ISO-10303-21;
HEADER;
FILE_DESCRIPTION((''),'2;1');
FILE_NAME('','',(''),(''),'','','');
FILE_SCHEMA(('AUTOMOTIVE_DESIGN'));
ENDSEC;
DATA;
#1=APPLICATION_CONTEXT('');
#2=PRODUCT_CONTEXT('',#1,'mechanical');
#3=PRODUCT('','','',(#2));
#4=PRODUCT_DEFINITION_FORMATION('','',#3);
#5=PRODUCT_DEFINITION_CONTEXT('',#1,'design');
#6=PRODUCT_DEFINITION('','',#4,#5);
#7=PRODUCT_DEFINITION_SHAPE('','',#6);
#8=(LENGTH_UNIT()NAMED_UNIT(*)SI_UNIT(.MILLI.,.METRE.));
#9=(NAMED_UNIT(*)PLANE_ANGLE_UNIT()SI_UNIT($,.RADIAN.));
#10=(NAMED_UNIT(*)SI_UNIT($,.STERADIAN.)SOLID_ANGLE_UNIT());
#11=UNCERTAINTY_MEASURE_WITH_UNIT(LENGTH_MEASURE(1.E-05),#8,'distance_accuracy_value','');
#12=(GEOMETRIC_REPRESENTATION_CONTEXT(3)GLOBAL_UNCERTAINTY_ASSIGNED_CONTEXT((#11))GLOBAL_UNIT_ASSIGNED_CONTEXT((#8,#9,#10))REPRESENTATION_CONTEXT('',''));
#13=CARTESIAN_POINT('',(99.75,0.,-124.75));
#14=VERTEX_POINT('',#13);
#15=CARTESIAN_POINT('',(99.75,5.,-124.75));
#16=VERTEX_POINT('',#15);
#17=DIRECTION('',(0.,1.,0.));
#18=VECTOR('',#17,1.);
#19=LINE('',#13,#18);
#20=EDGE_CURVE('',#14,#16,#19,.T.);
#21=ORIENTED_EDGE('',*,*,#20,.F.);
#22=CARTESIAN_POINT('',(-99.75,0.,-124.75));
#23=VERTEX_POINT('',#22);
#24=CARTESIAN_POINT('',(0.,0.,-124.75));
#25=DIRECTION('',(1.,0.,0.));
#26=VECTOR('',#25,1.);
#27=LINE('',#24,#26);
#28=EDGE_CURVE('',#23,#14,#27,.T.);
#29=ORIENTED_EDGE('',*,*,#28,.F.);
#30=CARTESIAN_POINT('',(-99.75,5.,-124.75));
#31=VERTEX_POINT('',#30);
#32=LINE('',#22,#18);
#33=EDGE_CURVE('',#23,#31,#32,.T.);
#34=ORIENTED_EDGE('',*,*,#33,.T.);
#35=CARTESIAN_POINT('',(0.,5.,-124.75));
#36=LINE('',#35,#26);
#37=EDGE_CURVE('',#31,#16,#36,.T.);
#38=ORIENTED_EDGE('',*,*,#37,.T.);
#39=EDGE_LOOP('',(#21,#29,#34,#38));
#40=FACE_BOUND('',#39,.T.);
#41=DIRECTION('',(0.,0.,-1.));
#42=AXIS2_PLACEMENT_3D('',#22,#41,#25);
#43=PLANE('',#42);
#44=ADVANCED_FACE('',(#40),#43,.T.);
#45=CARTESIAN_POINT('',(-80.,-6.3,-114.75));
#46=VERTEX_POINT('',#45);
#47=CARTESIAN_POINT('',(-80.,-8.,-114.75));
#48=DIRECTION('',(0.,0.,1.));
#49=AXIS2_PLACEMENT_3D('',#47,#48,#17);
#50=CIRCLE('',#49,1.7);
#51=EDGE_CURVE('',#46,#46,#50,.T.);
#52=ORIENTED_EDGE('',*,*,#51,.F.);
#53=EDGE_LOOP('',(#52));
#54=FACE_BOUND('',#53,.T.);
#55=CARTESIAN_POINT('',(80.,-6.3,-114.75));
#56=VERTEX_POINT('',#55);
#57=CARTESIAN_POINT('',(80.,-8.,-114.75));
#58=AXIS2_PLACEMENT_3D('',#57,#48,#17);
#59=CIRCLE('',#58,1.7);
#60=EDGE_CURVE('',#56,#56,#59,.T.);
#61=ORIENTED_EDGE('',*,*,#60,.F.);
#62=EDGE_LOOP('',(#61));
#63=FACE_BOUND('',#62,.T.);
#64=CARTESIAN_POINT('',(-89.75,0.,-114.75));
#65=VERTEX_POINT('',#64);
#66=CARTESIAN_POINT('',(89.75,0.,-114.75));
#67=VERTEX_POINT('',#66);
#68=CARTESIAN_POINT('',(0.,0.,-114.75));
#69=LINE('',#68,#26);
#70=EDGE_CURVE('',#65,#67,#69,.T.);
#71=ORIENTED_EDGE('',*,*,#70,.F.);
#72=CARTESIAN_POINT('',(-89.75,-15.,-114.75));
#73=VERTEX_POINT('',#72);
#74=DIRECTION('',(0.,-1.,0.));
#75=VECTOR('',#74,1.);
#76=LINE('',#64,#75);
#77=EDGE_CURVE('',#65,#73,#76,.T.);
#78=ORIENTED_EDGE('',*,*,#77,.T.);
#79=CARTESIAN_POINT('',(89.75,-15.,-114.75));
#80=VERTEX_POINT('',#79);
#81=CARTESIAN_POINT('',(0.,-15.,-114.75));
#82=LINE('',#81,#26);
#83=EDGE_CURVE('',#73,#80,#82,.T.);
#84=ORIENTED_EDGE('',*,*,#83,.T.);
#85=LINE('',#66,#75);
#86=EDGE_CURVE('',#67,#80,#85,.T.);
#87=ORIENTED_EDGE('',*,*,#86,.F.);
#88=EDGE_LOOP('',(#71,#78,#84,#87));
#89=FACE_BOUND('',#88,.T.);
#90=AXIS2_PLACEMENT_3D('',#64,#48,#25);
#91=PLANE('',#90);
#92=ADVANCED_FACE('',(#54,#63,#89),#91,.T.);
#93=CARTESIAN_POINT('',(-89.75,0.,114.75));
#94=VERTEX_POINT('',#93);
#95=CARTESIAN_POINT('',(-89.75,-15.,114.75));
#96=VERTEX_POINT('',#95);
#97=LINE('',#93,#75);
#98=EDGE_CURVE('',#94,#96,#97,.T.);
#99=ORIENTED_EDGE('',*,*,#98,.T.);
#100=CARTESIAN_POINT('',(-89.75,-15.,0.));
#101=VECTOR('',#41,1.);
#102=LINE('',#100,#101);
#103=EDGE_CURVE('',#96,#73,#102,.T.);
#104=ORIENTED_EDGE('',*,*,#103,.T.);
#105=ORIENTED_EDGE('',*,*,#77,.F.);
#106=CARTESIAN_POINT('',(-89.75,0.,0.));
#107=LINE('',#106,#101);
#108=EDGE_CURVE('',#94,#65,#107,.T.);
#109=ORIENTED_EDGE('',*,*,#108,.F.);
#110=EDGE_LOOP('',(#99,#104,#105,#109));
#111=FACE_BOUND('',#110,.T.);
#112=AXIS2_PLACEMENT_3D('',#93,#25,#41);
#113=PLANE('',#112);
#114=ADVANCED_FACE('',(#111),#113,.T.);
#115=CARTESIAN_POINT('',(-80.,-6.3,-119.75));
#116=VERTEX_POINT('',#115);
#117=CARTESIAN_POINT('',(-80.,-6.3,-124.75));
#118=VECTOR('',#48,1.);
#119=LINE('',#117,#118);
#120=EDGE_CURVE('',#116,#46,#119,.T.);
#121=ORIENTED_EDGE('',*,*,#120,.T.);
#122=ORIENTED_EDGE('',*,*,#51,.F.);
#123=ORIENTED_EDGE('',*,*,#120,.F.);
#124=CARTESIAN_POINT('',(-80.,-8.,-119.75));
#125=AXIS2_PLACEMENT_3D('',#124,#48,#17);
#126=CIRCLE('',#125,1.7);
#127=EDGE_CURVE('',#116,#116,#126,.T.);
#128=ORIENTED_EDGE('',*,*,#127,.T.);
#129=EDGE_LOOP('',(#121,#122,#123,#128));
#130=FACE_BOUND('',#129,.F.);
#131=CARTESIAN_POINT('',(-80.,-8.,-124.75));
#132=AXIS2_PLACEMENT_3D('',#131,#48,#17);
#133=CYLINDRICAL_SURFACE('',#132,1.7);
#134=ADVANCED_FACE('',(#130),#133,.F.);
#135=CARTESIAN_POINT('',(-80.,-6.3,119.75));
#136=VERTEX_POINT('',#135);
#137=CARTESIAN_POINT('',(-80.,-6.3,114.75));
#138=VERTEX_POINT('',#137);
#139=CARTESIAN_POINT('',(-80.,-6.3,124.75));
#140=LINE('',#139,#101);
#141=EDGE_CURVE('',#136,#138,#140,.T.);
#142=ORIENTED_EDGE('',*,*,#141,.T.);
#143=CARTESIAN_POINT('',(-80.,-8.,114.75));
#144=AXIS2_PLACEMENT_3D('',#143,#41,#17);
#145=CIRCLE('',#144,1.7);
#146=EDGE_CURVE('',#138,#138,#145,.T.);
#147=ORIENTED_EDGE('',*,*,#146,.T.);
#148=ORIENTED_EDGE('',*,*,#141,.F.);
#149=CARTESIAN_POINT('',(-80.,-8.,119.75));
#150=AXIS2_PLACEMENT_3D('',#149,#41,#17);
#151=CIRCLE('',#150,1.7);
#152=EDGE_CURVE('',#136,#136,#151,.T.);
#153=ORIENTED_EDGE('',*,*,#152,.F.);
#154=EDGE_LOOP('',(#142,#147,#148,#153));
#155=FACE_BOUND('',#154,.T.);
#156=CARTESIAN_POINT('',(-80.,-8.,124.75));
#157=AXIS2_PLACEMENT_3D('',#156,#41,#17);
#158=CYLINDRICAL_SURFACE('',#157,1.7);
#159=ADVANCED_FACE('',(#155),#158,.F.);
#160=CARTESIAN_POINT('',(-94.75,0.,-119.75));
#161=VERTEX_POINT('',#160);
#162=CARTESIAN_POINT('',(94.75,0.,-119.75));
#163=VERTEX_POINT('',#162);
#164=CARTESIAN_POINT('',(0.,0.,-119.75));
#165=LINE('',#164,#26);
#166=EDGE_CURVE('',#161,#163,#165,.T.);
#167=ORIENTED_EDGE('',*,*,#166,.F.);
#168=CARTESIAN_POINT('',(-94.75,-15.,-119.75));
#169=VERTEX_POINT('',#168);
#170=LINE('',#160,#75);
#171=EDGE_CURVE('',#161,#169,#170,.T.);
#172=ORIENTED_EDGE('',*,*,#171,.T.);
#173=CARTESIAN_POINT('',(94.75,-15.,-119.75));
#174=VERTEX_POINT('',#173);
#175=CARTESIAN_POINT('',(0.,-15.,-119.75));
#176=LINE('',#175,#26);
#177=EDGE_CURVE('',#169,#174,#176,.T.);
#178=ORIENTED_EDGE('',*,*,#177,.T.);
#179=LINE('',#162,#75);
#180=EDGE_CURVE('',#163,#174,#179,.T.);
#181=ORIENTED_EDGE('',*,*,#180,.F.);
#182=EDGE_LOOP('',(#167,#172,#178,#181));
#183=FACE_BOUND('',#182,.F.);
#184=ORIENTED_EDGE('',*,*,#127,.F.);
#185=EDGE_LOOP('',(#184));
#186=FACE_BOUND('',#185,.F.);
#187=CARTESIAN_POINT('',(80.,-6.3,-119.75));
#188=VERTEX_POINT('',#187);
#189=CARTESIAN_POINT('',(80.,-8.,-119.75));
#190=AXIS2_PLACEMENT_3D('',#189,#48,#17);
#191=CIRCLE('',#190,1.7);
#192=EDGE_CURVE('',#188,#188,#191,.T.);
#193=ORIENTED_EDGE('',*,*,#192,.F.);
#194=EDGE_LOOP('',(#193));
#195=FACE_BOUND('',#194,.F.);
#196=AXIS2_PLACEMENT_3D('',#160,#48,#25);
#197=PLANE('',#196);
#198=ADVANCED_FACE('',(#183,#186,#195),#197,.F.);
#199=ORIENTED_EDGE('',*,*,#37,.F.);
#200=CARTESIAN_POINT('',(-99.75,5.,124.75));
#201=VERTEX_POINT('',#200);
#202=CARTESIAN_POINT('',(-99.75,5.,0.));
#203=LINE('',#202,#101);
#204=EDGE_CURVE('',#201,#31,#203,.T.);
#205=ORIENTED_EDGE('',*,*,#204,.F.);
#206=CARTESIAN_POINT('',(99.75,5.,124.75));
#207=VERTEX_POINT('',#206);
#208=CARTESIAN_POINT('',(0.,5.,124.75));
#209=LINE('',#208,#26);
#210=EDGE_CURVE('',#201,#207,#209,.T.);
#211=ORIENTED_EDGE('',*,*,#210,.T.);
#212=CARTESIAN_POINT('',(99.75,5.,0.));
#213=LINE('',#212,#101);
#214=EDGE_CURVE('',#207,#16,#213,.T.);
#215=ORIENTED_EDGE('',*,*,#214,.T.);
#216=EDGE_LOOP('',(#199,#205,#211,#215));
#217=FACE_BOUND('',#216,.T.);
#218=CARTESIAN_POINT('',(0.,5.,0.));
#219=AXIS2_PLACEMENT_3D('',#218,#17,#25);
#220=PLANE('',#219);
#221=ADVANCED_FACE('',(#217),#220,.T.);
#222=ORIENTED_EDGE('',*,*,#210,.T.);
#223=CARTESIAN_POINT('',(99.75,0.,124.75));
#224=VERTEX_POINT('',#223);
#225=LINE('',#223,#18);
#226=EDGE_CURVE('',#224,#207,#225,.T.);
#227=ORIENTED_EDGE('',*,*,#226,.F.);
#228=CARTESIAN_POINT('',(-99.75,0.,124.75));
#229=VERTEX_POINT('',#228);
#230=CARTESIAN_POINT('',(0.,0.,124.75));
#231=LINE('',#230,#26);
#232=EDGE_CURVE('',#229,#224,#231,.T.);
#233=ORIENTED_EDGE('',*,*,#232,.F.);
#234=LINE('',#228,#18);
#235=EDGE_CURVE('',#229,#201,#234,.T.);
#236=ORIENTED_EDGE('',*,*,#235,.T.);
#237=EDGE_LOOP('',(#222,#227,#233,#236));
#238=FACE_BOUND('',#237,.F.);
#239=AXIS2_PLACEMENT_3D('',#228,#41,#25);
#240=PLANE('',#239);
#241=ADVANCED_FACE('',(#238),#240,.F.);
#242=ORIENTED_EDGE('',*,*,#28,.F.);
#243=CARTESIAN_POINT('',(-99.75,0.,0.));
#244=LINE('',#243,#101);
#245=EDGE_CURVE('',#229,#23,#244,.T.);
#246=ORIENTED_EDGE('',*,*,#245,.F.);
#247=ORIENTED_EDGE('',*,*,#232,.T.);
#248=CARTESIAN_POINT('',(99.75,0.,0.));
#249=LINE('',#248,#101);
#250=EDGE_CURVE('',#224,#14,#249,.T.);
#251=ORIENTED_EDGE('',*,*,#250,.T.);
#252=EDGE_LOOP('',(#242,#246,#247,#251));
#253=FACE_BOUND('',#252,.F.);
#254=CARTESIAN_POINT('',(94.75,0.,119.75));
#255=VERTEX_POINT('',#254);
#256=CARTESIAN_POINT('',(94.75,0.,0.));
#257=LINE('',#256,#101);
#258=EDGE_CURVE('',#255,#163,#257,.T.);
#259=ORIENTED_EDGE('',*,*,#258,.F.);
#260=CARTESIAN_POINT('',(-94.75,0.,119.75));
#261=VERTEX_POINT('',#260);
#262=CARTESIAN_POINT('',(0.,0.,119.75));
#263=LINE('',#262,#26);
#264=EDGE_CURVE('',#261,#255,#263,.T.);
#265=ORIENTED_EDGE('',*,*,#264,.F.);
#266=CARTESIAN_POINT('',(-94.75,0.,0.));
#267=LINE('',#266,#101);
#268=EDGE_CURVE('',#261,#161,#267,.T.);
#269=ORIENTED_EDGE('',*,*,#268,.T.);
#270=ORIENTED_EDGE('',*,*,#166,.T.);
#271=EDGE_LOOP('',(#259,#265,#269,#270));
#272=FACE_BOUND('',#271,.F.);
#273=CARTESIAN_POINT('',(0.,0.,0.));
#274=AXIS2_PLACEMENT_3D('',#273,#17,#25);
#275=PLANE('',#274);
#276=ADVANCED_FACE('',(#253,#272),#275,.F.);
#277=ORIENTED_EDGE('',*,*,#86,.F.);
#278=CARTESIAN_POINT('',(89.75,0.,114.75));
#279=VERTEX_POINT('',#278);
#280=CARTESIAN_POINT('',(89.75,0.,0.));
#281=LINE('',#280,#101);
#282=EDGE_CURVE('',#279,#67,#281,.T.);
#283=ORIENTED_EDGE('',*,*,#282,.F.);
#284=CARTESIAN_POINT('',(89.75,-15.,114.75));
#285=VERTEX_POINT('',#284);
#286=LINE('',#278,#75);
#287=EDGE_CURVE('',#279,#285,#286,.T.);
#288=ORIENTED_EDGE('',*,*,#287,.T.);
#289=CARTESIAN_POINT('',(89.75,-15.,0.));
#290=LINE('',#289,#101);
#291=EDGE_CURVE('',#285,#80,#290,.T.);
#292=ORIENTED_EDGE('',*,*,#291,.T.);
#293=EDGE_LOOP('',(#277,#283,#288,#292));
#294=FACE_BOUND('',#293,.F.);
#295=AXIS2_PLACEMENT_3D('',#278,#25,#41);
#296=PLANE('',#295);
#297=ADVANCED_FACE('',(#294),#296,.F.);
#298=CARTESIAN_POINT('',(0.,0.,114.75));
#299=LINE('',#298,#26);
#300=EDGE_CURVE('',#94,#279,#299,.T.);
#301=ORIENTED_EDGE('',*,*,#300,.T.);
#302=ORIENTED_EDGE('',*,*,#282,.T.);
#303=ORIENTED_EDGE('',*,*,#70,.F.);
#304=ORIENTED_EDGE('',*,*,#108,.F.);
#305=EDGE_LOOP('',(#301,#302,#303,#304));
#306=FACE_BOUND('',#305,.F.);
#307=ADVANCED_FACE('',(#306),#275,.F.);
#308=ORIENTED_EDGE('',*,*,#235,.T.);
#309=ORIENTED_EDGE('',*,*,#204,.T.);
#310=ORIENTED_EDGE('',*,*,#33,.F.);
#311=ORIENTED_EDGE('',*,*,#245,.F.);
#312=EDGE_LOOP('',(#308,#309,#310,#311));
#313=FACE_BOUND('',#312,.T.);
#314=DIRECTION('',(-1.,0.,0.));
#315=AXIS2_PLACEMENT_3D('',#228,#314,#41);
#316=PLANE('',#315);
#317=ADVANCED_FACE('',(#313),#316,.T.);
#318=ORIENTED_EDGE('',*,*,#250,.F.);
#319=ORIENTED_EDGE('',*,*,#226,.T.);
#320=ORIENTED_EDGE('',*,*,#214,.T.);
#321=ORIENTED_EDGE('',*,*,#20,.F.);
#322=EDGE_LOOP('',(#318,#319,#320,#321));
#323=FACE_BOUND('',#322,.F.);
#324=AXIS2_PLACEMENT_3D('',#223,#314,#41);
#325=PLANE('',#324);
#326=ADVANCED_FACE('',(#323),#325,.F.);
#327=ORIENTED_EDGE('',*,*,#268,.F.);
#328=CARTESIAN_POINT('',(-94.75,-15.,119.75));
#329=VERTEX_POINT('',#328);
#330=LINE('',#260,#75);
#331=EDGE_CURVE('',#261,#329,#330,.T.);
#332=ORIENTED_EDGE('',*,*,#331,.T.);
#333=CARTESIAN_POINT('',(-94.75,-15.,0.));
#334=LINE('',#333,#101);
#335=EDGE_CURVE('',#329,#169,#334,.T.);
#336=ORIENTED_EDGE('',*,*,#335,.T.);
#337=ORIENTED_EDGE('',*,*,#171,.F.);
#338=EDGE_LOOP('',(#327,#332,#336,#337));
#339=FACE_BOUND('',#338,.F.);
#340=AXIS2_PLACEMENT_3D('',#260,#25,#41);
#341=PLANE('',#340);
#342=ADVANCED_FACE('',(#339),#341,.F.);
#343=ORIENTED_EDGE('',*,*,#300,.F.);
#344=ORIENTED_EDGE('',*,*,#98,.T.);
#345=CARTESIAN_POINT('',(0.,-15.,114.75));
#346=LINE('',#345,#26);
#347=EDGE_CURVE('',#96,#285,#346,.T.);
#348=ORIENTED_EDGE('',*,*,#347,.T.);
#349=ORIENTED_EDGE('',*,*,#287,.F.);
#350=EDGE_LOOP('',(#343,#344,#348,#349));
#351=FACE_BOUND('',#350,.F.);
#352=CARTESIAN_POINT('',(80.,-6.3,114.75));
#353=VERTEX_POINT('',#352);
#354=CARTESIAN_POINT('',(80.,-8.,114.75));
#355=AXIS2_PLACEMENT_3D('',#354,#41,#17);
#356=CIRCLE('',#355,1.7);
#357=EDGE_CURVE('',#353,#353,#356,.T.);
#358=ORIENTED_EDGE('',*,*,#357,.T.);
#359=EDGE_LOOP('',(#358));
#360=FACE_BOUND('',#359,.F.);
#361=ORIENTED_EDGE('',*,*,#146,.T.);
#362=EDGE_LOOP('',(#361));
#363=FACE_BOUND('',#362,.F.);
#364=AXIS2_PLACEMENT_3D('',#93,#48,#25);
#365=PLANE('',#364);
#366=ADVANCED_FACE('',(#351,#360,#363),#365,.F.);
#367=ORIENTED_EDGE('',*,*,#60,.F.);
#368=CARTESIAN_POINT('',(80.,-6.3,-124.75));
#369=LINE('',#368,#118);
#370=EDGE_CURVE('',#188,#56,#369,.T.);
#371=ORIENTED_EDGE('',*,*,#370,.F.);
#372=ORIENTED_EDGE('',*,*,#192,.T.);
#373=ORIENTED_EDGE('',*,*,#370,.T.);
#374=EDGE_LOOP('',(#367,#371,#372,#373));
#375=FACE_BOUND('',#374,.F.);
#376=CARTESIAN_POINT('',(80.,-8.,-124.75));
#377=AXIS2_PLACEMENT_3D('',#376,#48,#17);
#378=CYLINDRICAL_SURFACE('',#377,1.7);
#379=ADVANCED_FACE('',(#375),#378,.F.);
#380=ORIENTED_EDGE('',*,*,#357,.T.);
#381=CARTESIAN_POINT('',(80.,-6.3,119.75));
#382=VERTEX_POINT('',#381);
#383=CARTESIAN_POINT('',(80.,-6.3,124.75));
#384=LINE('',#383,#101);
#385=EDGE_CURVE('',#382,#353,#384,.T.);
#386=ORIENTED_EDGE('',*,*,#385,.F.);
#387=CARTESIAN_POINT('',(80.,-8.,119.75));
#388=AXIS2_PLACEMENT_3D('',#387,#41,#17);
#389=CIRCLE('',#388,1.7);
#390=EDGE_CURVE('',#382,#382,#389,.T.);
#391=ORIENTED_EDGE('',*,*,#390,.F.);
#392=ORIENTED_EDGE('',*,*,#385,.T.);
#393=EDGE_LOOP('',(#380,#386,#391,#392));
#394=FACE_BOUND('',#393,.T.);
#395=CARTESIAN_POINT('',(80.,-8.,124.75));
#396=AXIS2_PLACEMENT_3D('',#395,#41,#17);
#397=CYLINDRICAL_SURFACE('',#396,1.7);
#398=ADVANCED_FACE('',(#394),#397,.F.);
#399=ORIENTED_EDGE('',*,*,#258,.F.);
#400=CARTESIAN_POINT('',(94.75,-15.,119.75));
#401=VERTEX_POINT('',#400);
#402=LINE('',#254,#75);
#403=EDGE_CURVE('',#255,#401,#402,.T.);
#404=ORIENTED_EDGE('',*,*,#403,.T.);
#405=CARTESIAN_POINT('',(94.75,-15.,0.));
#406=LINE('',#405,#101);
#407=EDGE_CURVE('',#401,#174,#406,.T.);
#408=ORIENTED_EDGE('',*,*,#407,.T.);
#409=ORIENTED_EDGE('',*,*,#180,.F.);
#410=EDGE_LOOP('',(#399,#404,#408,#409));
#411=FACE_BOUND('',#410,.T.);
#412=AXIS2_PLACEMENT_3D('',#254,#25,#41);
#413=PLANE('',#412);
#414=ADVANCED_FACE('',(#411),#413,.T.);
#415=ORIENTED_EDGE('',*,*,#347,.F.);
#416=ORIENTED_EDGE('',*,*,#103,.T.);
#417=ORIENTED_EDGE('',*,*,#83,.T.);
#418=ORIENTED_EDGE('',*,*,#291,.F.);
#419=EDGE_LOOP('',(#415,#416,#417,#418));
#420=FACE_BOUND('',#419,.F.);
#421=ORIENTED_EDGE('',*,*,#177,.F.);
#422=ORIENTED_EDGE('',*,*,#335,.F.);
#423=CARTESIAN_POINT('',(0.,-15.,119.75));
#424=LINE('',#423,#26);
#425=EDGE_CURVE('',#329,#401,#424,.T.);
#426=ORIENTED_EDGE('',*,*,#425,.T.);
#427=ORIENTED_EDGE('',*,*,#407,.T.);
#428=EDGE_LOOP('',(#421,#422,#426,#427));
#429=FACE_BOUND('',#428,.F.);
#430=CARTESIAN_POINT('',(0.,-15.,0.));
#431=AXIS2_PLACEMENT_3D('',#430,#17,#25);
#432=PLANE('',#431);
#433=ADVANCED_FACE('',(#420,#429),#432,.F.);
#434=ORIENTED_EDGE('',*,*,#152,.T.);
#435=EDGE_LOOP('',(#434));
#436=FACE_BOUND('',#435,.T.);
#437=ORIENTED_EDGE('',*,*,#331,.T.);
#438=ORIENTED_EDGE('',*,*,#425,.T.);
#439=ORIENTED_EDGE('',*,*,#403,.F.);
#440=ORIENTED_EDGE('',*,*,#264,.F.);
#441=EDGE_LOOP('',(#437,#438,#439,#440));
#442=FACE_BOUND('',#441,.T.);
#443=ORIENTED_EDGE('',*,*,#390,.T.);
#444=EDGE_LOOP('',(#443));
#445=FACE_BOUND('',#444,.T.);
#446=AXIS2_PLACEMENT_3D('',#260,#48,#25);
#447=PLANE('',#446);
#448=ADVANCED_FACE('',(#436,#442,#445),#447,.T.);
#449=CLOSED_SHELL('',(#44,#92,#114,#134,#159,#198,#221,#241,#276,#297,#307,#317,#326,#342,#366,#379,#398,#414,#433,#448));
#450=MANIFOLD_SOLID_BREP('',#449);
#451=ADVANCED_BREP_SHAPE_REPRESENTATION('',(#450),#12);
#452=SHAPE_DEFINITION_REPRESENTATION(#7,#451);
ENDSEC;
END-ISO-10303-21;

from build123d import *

# Parameters (mm, degrees)
SKETCH1_W                     = 199.5
SKETCH1_H                     = 249.5
BOSS_EXTRUDE1_DEPTH           = 5
SKETCH1_3_W                   = 189.5
SKETCH1_3_H                   = 239.5
SKETCH1_3_W_2                 = 179.5
SKETCH1_3_H_2                 = 229.5
BOSS_EXTRUDE2_DEPTH           = 15
M3_CLEARANCE_HOLE1_AT_2_COUNT = 2
M3_CLEARANCE_HOLE1_AT_2_PITCH = 160


with BuildPart() as part:
    # Sketch1 → Boss-Extrude1 (new body)
    with BuildSketch(Plane(origin=(0, 0, 0), x_dir=(1, 0, 0), z_dir=(0, 1, 0))):
        Rectangle(SKETCH1_W, SKETCH1_H)
    extrude(amount=BOSS_EXTRUDE1_DEPTH)

    # Sketch1<3> → Boss-Extrude2 (add)
    with BuildSketch(Plane(origin=(0, 0, 0), x_dir=(1, 0, 0), z_dir=(0, 1, 0))):
        Rectangle(SKETCH1_3_W, SKETCH1_3_H)
        Rectangle(SKETCH1_3_W_2, SKETCH1_3_H_2, mode=Mode.SUBTRACT)
    extrude(amount=-BOSS_EXTRUDE2_DEPTH)

    # Sketch4 → M3 Clearance Hole1 (revolve, cut)
    with BuildSketch(Plane(origin=(-80, -8, 0), x_dir=(0, 1, 0), z_dir=(1, 0, 0))):
        Polygon((0, 0), (0, 124.75), (1.7, 124.75), (1.7, 0.025), (1.725, 0), align=None)
    m3_clearance_hole1 = revolve(axis=Axis((-80, -8, -6.35), (0, 0, 1)), mode=Mode.SUBTRACT)

    # M3 Clearance Hole1 at 2: M3 Clearance Hole1 ×2
    with Locations(*[(i * M3_CLEARANCE_HOLE1_AT_2_PITCH, 0, 0) for i in range(1, M3_CLEARANCE_HOLE1_AT_2_COUNT)]):
        add(m3_clearance_hole1, mode=Mode.SUBTRACT)

    # Mirror1: M3 Clearance Hole1 across plane
    add(m3_clearance_hole1.mirror(Plane.XY), mode=Mode.SUBTRACT)

    # Mirror1 copy 1 sketch → Mirror1 copy 1 (revolve, cut)
    with BuildSketch(Plane(origin=(80, -8, 0), x_dir=(0, 1, 0), z_dir=(1, 0, 0))):
        Polygon((0, 0), (0, -124.75), (1.7, -124.75), (1.7, -0.025), (1.725, 0), align=None)
    revolve(axis=Axis((80, -8, 6.35), (0, 0, 1)), mode=Mode.SUBTRACT)


solid = part.part
